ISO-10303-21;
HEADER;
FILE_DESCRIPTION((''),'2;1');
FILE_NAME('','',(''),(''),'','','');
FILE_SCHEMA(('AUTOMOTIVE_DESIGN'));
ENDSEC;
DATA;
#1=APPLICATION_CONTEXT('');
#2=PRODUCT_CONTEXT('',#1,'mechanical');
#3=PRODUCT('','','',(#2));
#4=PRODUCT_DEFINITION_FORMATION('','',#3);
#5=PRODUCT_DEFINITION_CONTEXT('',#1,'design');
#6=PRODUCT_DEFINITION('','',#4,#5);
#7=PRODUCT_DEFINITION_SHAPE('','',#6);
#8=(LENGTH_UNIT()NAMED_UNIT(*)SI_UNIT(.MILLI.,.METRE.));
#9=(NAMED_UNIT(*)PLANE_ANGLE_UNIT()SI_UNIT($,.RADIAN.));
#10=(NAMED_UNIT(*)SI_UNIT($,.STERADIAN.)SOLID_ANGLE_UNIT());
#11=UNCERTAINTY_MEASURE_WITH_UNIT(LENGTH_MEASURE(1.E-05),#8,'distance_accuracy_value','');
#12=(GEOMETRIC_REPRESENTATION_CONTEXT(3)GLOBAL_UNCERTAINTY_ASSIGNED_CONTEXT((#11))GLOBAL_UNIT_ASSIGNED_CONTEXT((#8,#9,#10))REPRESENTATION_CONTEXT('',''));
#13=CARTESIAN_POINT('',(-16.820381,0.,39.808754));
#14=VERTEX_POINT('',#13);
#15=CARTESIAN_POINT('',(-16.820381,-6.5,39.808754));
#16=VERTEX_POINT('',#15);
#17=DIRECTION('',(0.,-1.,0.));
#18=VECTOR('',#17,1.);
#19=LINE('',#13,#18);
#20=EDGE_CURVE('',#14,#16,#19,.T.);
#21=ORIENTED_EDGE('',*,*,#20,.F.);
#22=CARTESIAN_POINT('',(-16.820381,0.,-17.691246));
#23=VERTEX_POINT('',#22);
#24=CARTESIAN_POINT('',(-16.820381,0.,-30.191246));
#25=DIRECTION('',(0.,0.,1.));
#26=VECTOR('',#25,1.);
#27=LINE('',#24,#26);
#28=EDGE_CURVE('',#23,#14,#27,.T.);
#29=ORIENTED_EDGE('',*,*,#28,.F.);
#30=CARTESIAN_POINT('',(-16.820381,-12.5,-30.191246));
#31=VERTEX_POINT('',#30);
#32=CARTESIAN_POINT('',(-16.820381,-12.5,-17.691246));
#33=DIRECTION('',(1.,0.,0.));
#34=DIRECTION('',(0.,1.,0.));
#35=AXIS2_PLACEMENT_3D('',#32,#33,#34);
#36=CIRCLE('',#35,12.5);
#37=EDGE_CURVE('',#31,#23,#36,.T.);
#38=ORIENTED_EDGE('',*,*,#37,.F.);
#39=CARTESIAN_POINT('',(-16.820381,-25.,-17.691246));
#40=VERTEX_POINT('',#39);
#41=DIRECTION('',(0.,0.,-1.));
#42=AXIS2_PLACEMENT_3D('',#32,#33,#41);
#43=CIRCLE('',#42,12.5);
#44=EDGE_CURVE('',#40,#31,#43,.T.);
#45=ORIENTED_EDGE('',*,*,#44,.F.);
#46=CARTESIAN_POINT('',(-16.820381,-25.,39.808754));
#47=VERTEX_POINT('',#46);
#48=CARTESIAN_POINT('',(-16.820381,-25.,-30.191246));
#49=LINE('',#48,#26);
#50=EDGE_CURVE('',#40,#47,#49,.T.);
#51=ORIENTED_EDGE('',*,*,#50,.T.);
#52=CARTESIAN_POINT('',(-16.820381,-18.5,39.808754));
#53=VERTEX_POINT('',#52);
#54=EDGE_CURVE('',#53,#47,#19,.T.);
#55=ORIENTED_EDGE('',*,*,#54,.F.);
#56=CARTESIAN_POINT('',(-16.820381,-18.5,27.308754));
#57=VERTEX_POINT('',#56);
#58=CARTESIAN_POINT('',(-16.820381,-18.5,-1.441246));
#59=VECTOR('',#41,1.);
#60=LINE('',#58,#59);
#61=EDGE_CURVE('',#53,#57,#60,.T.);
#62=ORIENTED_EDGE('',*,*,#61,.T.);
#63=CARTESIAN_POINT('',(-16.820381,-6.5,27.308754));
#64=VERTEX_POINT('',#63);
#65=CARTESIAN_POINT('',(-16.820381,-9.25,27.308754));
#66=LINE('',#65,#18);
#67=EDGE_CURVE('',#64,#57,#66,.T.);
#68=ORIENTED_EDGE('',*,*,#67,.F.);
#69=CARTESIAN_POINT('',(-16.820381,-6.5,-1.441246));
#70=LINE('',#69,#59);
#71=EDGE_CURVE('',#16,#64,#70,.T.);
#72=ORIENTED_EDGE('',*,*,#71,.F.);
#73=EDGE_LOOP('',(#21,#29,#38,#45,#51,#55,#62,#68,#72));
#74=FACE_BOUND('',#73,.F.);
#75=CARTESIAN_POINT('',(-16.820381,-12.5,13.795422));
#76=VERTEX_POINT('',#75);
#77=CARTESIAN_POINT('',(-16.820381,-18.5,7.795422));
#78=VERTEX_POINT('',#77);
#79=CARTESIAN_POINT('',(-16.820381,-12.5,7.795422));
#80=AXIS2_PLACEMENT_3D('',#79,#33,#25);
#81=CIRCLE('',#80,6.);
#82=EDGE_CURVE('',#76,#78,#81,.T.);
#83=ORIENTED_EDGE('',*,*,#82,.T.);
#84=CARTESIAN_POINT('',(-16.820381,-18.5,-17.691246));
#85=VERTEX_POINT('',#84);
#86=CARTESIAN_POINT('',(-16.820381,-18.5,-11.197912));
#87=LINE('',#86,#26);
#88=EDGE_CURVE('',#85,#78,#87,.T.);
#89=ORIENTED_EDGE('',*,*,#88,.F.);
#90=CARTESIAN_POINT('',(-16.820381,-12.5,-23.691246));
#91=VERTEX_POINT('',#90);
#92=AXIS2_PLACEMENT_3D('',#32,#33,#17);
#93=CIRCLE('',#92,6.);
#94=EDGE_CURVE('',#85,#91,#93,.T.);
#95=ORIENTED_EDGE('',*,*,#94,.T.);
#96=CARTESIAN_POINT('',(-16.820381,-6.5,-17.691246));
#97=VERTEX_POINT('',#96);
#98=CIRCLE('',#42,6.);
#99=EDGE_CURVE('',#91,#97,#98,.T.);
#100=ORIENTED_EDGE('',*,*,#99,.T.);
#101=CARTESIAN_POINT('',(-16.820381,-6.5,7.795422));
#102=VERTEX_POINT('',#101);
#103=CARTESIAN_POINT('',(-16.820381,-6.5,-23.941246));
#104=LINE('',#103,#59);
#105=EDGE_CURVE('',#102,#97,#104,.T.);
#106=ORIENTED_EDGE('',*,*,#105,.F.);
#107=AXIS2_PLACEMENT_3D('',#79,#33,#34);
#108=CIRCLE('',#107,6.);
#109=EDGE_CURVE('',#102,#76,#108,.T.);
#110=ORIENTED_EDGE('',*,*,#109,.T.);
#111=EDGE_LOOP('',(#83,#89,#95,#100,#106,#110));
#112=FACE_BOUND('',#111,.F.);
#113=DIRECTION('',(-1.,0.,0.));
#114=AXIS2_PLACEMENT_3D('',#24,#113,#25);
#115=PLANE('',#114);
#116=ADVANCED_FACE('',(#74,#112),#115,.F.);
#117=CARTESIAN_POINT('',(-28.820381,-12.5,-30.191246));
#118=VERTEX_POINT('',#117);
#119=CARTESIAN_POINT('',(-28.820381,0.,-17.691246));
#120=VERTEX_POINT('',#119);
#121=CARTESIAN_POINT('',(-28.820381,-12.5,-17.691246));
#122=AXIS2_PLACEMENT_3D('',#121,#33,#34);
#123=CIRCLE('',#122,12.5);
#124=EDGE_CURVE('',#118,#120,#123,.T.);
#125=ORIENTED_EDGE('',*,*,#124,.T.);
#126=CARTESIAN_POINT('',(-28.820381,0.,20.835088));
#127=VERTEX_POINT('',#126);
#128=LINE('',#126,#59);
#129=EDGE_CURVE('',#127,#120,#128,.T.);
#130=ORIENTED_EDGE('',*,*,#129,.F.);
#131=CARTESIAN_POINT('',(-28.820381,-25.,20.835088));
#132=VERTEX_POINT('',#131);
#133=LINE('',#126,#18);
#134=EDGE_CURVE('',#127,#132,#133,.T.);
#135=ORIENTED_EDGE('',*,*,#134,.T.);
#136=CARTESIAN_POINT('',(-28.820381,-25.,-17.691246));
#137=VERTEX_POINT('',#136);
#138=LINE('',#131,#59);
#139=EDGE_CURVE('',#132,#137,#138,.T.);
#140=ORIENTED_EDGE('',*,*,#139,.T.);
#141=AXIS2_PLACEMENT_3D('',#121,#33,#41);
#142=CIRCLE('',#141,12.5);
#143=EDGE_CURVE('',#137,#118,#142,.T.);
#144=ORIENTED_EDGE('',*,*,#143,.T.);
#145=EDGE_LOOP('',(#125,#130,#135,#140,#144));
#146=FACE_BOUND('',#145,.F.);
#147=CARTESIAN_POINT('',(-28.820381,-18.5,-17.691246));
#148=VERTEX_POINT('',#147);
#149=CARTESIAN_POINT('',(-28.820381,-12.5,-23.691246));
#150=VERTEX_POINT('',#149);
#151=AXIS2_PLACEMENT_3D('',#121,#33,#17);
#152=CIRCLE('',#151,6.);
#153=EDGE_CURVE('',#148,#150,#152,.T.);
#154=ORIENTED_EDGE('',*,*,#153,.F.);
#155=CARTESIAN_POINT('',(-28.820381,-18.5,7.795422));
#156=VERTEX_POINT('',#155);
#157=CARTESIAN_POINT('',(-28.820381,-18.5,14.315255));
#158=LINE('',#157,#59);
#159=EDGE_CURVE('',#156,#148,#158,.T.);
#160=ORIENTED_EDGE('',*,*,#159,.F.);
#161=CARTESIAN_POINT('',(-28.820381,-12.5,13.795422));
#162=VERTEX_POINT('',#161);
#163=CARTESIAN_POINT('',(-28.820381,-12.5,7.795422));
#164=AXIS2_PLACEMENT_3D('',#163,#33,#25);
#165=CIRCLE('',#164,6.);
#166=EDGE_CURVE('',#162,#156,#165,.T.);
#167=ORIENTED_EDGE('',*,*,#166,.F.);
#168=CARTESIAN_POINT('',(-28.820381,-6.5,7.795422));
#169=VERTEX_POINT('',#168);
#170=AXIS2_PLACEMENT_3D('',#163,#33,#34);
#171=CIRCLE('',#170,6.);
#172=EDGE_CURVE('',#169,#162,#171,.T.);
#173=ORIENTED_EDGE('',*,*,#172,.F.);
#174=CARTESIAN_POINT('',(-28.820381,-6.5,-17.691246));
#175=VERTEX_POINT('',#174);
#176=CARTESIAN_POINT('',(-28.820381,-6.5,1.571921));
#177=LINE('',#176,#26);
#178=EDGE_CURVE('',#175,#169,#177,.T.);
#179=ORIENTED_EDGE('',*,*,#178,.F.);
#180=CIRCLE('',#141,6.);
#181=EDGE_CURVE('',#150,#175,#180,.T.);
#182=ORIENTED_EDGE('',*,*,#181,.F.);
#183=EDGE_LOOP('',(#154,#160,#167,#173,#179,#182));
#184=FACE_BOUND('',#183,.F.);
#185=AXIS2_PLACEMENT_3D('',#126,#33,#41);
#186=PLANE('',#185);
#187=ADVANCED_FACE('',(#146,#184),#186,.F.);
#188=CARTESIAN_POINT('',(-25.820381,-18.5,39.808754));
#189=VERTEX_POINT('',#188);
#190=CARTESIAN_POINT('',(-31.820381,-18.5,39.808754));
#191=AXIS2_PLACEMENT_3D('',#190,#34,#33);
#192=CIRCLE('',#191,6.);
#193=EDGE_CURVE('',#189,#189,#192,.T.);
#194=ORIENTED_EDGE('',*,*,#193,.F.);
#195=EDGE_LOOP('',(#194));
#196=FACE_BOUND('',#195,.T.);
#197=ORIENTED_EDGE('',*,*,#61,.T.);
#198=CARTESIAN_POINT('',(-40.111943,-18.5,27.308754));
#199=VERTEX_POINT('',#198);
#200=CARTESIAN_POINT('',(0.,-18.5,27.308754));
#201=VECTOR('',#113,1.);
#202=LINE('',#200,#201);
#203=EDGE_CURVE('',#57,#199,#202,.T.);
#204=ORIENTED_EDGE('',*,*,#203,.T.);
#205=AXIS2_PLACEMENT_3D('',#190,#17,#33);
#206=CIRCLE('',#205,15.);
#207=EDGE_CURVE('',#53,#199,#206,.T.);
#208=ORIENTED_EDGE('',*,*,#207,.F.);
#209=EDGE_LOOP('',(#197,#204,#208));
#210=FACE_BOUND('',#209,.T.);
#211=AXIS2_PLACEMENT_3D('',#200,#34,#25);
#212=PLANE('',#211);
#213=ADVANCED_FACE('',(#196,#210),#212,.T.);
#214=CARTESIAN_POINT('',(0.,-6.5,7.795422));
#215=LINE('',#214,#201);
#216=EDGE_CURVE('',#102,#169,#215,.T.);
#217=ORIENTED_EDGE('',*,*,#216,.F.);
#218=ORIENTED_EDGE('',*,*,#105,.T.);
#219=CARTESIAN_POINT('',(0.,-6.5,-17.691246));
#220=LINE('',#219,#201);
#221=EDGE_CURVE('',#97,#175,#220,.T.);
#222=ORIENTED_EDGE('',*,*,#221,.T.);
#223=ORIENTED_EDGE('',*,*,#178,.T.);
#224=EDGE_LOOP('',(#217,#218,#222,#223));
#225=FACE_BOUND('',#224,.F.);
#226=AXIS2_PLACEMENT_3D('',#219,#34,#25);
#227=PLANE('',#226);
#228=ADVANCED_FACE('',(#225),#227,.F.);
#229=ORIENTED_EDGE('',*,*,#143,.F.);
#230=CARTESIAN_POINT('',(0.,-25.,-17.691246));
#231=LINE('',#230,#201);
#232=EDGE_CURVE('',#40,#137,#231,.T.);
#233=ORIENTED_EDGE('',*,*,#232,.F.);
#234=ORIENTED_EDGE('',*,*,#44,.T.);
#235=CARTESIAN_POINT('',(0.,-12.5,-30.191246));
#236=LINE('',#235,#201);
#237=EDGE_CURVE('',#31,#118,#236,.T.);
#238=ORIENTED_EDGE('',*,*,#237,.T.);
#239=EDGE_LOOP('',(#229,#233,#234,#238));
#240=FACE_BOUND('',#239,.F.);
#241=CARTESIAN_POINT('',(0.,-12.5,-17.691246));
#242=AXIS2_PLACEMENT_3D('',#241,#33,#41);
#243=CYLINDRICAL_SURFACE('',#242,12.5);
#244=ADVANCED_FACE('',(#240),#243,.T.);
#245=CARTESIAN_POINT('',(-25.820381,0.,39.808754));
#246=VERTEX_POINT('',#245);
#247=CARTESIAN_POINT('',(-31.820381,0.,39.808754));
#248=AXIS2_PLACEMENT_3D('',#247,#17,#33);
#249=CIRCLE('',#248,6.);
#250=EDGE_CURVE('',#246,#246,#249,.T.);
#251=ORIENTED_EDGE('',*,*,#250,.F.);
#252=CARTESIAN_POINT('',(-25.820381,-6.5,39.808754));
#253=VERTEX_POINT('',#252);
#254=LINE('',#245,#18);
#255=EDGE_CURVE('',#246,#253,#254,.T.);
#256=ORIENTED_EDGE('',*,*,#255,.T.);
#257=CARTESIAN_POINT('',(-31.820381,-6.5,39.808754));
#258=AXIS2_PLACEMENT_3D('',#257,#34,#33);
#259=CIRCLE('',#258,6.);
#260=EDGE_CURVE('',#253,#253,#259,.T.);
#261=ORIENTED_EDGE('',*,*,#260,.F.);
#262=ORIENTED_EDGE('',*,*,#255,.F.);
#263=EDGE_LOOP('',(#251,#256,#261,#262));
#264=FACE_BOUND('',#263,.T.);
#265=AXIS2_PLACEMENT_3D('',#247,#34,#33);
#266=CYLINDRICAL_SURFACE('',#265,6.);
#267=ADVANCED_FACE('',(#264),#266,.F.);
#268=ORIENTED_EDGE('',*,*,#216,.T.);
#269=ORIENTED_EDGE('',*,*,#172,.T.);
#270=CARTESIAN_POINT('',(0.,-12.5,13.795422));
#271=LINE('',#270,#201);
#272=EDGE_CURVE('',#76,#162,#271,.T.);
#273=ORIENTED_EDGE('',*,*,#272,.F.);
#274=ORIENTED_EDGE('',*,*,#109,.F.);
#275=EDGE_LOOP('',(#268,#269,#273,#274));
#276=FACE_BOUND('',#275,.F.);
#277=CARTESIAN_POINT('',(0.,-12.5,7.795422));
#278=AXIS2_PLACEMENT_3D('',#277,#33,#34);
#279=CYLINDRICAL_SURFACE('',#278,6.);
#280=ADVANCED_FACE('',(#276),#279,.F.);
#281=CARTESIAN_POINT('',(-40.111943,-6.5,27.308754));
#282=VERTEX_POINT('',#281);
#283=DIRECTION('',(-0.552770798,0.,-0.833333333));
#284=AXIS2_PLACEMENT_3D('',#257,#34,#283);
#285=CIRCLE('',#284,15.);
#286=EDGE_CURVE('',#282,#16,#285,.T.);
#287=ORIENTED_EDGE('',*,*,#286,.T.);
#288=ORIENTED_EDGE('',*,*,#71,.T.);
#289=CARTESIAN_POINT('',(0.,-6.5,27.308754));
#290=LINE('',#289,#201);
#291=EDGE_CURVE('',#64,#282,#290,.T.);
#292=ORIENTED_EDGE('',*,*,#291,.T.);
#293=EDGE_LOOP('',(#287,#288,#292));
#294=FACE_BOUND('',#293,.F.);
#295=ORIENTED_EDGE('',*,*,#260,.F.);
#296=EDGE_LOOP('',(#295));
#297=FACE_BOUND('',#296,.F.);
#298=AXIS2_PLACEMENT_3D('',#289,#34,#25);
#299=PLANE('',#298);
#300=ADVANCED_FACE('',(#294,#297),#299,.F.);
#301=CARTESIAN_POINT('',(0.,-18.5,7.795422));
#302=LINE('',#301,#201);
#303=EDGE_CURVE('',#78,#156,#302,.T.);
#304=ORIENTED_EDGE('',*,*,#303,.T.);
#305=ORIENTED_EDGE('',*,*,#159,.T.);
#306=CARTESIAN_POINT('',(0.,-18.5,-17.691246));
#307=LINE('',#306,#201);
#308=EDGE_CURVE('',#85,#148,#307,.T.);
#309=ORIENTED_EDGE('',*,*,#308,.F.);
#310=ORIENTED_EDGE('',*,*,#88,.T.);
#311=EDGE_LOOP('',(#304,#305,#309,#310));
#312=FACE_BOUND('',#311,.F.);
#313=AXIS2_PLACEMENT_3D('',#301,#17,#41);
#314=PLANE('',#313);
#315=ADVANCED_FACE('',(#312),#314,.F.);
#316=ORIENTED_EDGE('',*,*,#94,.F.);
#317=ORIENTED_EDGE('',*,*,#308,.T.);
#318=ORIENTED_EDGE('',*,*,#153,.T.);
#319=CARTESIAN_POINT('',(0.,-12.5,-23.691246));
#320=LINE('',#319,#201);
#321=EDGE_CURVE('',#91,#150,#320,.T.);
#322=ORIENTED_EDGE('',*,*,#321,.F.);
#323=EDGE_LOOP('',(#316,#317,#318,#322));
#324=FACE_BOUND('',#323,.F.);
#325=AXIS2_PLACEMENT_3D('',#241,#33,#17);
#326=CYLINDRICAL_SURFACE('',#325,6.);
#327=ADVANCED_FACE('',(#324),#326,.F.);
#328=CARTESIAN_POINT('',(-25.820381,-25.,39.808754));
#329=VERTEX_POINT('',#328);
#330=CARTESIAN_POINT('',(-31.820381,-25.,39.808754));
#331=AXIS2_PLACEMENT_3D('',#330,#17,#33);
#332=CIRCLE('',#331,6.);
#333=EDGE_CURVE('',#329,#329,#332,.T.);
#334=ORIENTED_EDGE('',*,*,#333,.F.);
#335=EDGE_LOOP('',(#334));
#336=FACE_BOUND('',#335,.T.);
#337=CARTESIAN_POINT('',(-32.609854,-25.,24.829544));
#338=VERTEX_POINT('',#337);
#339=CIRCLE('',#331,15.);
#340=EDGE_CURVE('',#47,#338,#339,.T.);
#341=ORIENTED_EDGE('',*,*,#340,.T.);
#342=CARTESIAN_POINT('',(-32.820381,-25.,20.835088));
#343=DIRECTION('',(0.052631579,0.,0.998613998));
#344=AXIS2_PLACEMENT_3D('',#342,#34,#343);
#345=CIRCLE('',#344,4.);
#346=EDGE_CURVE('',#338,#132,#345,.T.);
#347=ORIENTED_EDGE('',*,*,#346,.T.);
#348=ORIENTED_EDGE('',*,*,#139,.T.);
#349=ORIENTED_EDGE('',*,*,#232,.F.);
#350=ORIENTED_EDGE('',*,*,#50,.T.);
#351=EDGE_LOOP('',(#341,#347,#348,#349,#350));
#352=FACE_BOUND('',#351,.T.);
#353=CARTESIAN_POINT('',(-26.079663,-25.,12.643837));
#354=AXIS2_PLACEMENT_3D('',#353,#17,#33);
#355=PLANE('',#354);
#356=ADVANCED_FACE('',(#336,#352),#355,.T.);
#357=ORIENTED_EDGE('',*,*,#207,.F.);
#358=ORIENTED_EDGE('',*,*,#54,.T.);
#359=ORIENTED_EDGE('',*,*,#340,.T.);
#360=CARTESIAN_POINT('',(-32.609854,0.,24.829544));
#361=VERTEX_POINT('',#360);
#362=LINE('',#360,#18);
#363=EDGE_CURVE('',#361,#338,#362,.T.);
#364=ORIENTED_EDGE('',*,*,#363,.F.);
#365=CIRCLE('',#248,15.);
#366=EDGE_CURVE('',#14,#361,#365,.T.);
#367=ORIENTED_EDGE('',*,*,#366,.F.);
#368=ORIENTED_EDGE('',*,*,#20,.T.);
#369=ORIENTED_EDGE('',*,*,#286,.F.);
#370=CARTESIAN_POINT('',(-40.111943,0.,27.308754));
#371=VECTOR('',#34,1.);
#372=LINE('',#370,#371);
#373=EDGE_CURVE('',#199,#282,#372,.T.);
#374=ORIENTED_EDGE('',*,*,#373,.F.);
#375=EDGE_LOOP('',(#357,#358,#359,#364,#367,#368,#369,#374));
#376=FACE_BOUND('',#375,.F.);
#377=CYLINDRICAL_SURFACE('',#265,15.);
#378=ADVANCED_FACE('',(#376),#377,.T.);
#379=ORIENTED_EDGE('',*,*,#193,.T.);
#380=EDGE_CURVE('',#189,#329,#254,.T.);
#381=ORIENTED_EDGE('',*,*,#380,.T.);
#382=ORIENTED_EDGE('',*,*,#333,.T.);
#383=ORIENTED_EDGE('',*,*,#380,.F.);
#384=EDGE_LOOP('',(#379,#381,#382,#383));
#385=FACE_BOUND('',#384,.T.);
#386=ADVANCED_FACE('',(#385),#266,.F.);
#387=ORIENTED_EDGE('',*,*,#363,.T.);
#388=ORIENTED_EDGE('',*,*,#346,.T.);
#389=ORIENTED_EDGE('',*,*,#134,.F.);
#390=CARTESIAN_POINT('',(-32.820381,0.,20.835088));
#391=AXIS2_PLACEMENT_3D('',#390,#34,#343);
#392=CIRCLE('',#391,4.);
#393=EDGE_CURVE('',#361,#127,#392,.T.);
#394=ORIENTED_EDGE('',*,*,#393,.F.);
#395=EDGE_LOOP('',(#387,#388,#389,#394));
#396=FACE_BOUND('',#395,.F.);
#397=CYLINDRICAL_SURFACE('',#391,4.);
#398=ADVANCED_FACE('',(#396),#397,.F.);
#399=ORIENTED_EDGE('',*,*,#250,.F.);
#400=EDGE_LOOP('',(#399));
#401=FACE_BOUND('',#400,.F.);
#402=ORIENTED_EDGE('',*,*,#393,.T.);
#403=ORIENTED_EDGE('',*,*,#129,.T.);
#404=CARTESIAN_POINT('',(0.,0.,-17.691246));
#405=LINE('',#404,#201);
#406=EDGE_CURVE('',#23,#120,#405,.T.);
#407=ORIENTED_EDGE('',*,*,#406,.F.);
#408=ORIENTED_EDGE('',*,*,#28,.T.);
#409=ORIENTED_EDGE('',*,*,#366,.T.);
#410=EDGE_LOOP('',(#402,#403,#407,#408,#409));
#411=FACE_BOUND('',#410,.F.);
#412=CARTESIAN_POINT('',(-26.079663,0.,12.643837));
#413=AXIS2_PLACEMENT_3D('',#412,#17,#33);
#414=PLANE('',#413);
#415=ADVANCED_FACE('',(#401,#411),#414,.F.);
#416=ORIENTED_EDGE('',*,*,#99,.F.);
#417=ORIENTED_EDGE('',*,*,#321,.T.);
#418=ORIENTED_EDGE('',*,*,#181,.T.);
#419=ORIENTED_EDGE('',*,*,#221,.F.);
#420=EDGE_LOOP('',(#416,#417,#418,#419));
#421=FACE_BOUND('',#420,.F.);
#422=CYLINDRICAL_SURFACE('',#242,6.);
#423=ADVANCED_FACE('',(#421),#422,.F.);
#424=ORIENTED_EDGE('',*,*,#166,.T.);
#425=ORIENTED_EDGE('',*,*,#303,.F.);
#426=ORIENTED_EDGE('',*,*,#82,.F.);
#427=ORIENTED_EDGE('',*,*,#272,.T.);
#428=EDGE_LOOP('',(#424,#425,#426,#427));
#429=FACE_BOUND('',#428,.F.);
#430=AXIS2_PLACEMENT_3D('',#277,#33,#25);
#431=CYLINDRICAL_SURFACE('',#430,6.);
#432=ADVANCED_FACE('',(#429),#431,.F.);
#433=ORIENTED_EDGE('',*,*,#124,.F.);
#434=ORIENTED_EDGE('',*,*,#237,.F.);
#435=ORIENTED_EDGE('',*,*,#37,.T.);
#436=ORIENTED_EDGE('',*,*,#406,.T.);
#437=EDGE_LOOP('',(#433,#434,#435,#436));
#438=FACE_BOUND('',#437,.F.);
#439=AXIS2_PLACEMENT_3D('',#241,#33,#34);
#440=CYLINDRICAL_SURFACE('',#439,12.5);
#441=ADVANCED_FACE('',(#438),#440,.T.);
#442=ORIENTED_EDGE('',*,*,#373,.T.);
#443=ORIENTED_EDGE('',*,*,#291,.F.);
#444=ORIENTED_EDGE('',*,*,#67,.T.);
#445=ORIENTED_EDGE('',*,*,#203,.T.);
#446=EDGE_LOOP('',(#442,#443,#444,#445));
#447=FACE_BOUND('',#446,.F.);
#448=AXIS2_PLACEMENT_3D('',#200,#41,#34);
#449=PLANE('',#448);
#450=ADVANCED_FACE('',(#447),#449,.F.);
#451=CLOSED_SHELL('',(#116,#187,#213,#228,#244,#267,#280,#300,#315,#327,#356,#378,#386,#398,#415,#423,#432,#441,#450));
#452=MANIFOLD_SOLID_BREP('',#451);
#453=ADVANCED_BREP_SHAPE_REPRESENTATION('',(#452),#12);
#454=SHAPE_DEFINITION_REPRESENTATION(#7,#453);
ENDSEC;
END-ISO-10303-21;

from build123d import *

# Parameters (mm, degrees)
F0_R     = 6
F1_DEPTH = 25
F2_W     = 6
F2_H     = 27.5
F3_DEPTH = 46.8213805685


with BuildPart() as f1:
    # F0 (on Front) → F1 (new body)
    with BuildSketch(Plane.XZ):
        with BuildLine():
            Line((-16.8203805685, -30.1912461221), (-16.8203805685, 39.8087538779))
            ThreePointArc((-16.8203805685, 39.8087538779), (-42.1440885927, 50.6908976295), (-32.6098542527, 24.8295439087))
            ThreePointArc((-32.6098542527, 24.8295439087), (-29.9184755681, 23.5880767233), (-28.8203805685, 20.8350879169))
            Line((-28.8203805685, 20.8350879169), (-28.8203805685, -30.1912461221))
            Line((-28.8203805685, -30.1912461221), (-16.8203805685, -30.1912461221))
        make_face()
        with Locations((-31.8203805685, 39.8087538779)):
            Circle(F0_R, mode=Mode.SUBTRACT)
    extrude(amount=F1_DEPTH)

    # F2 (on Right) → F3 (cut, through all)
    with BuildSketch(Plane.YZ):
        with BuildLine():
            ThreePointArc((-18.5, -17.6912461221), (-16.7426406871, -21.9338868092), (-12.5, -23.6912461221))
            ThreePointArc((-12.5, -23.6912461221), (-8.2573593129, -21.9338868092), (-6.5, -17.6912461221))
            Line((-6.5, -17.6912461221), (-6.5, 7.7954222181))
            ThreePointArc((-6.5, 7.7954222181), (-8.2573593129, 12.0380629052), (-12.5, 13.7954222181))
            ThreePointArc((-12.5, 13.7954222181), (-16.7426406871, 12.0380629052), (-18.5, 7.7954222181))
            Line((-18.5, 7.7954222181), (-18.5, -17.6912461221))
        make_face()
        with BuildLine():
            Line((-12.5, -30.1912461221), (0, -30.1912461221))
            Line((0, -30.1912461221), (0, -17.6912461221))
            ThreePointArc((0, -17.6912461221), (-3.6611652352, -26.530080887), (-12.5, -30.1912461221))
        make_face()
        with BuildLine():
            Line((-25, -30.1912461221), (-12.5, -30.1912461221))
            ThreePointArc((-12.5, -30.1912461221), (-21.3388347648, -26.530080887), (-25, -17.6912461221))
            Line((-25, -17.6912461221), (-25, -30.1912461221))
        make_face()
        with Locations((-15.5, 41.0587538779)):
            Rectangle(F2_W, F2_H)
        with Locations((-9.5, 41.0587538779)):
            Rectangle(F2_W, F2_H)
    extrude(amount=-F3_DEPTH, mode=Mode.SUBTRACT)


solid = f1.part
